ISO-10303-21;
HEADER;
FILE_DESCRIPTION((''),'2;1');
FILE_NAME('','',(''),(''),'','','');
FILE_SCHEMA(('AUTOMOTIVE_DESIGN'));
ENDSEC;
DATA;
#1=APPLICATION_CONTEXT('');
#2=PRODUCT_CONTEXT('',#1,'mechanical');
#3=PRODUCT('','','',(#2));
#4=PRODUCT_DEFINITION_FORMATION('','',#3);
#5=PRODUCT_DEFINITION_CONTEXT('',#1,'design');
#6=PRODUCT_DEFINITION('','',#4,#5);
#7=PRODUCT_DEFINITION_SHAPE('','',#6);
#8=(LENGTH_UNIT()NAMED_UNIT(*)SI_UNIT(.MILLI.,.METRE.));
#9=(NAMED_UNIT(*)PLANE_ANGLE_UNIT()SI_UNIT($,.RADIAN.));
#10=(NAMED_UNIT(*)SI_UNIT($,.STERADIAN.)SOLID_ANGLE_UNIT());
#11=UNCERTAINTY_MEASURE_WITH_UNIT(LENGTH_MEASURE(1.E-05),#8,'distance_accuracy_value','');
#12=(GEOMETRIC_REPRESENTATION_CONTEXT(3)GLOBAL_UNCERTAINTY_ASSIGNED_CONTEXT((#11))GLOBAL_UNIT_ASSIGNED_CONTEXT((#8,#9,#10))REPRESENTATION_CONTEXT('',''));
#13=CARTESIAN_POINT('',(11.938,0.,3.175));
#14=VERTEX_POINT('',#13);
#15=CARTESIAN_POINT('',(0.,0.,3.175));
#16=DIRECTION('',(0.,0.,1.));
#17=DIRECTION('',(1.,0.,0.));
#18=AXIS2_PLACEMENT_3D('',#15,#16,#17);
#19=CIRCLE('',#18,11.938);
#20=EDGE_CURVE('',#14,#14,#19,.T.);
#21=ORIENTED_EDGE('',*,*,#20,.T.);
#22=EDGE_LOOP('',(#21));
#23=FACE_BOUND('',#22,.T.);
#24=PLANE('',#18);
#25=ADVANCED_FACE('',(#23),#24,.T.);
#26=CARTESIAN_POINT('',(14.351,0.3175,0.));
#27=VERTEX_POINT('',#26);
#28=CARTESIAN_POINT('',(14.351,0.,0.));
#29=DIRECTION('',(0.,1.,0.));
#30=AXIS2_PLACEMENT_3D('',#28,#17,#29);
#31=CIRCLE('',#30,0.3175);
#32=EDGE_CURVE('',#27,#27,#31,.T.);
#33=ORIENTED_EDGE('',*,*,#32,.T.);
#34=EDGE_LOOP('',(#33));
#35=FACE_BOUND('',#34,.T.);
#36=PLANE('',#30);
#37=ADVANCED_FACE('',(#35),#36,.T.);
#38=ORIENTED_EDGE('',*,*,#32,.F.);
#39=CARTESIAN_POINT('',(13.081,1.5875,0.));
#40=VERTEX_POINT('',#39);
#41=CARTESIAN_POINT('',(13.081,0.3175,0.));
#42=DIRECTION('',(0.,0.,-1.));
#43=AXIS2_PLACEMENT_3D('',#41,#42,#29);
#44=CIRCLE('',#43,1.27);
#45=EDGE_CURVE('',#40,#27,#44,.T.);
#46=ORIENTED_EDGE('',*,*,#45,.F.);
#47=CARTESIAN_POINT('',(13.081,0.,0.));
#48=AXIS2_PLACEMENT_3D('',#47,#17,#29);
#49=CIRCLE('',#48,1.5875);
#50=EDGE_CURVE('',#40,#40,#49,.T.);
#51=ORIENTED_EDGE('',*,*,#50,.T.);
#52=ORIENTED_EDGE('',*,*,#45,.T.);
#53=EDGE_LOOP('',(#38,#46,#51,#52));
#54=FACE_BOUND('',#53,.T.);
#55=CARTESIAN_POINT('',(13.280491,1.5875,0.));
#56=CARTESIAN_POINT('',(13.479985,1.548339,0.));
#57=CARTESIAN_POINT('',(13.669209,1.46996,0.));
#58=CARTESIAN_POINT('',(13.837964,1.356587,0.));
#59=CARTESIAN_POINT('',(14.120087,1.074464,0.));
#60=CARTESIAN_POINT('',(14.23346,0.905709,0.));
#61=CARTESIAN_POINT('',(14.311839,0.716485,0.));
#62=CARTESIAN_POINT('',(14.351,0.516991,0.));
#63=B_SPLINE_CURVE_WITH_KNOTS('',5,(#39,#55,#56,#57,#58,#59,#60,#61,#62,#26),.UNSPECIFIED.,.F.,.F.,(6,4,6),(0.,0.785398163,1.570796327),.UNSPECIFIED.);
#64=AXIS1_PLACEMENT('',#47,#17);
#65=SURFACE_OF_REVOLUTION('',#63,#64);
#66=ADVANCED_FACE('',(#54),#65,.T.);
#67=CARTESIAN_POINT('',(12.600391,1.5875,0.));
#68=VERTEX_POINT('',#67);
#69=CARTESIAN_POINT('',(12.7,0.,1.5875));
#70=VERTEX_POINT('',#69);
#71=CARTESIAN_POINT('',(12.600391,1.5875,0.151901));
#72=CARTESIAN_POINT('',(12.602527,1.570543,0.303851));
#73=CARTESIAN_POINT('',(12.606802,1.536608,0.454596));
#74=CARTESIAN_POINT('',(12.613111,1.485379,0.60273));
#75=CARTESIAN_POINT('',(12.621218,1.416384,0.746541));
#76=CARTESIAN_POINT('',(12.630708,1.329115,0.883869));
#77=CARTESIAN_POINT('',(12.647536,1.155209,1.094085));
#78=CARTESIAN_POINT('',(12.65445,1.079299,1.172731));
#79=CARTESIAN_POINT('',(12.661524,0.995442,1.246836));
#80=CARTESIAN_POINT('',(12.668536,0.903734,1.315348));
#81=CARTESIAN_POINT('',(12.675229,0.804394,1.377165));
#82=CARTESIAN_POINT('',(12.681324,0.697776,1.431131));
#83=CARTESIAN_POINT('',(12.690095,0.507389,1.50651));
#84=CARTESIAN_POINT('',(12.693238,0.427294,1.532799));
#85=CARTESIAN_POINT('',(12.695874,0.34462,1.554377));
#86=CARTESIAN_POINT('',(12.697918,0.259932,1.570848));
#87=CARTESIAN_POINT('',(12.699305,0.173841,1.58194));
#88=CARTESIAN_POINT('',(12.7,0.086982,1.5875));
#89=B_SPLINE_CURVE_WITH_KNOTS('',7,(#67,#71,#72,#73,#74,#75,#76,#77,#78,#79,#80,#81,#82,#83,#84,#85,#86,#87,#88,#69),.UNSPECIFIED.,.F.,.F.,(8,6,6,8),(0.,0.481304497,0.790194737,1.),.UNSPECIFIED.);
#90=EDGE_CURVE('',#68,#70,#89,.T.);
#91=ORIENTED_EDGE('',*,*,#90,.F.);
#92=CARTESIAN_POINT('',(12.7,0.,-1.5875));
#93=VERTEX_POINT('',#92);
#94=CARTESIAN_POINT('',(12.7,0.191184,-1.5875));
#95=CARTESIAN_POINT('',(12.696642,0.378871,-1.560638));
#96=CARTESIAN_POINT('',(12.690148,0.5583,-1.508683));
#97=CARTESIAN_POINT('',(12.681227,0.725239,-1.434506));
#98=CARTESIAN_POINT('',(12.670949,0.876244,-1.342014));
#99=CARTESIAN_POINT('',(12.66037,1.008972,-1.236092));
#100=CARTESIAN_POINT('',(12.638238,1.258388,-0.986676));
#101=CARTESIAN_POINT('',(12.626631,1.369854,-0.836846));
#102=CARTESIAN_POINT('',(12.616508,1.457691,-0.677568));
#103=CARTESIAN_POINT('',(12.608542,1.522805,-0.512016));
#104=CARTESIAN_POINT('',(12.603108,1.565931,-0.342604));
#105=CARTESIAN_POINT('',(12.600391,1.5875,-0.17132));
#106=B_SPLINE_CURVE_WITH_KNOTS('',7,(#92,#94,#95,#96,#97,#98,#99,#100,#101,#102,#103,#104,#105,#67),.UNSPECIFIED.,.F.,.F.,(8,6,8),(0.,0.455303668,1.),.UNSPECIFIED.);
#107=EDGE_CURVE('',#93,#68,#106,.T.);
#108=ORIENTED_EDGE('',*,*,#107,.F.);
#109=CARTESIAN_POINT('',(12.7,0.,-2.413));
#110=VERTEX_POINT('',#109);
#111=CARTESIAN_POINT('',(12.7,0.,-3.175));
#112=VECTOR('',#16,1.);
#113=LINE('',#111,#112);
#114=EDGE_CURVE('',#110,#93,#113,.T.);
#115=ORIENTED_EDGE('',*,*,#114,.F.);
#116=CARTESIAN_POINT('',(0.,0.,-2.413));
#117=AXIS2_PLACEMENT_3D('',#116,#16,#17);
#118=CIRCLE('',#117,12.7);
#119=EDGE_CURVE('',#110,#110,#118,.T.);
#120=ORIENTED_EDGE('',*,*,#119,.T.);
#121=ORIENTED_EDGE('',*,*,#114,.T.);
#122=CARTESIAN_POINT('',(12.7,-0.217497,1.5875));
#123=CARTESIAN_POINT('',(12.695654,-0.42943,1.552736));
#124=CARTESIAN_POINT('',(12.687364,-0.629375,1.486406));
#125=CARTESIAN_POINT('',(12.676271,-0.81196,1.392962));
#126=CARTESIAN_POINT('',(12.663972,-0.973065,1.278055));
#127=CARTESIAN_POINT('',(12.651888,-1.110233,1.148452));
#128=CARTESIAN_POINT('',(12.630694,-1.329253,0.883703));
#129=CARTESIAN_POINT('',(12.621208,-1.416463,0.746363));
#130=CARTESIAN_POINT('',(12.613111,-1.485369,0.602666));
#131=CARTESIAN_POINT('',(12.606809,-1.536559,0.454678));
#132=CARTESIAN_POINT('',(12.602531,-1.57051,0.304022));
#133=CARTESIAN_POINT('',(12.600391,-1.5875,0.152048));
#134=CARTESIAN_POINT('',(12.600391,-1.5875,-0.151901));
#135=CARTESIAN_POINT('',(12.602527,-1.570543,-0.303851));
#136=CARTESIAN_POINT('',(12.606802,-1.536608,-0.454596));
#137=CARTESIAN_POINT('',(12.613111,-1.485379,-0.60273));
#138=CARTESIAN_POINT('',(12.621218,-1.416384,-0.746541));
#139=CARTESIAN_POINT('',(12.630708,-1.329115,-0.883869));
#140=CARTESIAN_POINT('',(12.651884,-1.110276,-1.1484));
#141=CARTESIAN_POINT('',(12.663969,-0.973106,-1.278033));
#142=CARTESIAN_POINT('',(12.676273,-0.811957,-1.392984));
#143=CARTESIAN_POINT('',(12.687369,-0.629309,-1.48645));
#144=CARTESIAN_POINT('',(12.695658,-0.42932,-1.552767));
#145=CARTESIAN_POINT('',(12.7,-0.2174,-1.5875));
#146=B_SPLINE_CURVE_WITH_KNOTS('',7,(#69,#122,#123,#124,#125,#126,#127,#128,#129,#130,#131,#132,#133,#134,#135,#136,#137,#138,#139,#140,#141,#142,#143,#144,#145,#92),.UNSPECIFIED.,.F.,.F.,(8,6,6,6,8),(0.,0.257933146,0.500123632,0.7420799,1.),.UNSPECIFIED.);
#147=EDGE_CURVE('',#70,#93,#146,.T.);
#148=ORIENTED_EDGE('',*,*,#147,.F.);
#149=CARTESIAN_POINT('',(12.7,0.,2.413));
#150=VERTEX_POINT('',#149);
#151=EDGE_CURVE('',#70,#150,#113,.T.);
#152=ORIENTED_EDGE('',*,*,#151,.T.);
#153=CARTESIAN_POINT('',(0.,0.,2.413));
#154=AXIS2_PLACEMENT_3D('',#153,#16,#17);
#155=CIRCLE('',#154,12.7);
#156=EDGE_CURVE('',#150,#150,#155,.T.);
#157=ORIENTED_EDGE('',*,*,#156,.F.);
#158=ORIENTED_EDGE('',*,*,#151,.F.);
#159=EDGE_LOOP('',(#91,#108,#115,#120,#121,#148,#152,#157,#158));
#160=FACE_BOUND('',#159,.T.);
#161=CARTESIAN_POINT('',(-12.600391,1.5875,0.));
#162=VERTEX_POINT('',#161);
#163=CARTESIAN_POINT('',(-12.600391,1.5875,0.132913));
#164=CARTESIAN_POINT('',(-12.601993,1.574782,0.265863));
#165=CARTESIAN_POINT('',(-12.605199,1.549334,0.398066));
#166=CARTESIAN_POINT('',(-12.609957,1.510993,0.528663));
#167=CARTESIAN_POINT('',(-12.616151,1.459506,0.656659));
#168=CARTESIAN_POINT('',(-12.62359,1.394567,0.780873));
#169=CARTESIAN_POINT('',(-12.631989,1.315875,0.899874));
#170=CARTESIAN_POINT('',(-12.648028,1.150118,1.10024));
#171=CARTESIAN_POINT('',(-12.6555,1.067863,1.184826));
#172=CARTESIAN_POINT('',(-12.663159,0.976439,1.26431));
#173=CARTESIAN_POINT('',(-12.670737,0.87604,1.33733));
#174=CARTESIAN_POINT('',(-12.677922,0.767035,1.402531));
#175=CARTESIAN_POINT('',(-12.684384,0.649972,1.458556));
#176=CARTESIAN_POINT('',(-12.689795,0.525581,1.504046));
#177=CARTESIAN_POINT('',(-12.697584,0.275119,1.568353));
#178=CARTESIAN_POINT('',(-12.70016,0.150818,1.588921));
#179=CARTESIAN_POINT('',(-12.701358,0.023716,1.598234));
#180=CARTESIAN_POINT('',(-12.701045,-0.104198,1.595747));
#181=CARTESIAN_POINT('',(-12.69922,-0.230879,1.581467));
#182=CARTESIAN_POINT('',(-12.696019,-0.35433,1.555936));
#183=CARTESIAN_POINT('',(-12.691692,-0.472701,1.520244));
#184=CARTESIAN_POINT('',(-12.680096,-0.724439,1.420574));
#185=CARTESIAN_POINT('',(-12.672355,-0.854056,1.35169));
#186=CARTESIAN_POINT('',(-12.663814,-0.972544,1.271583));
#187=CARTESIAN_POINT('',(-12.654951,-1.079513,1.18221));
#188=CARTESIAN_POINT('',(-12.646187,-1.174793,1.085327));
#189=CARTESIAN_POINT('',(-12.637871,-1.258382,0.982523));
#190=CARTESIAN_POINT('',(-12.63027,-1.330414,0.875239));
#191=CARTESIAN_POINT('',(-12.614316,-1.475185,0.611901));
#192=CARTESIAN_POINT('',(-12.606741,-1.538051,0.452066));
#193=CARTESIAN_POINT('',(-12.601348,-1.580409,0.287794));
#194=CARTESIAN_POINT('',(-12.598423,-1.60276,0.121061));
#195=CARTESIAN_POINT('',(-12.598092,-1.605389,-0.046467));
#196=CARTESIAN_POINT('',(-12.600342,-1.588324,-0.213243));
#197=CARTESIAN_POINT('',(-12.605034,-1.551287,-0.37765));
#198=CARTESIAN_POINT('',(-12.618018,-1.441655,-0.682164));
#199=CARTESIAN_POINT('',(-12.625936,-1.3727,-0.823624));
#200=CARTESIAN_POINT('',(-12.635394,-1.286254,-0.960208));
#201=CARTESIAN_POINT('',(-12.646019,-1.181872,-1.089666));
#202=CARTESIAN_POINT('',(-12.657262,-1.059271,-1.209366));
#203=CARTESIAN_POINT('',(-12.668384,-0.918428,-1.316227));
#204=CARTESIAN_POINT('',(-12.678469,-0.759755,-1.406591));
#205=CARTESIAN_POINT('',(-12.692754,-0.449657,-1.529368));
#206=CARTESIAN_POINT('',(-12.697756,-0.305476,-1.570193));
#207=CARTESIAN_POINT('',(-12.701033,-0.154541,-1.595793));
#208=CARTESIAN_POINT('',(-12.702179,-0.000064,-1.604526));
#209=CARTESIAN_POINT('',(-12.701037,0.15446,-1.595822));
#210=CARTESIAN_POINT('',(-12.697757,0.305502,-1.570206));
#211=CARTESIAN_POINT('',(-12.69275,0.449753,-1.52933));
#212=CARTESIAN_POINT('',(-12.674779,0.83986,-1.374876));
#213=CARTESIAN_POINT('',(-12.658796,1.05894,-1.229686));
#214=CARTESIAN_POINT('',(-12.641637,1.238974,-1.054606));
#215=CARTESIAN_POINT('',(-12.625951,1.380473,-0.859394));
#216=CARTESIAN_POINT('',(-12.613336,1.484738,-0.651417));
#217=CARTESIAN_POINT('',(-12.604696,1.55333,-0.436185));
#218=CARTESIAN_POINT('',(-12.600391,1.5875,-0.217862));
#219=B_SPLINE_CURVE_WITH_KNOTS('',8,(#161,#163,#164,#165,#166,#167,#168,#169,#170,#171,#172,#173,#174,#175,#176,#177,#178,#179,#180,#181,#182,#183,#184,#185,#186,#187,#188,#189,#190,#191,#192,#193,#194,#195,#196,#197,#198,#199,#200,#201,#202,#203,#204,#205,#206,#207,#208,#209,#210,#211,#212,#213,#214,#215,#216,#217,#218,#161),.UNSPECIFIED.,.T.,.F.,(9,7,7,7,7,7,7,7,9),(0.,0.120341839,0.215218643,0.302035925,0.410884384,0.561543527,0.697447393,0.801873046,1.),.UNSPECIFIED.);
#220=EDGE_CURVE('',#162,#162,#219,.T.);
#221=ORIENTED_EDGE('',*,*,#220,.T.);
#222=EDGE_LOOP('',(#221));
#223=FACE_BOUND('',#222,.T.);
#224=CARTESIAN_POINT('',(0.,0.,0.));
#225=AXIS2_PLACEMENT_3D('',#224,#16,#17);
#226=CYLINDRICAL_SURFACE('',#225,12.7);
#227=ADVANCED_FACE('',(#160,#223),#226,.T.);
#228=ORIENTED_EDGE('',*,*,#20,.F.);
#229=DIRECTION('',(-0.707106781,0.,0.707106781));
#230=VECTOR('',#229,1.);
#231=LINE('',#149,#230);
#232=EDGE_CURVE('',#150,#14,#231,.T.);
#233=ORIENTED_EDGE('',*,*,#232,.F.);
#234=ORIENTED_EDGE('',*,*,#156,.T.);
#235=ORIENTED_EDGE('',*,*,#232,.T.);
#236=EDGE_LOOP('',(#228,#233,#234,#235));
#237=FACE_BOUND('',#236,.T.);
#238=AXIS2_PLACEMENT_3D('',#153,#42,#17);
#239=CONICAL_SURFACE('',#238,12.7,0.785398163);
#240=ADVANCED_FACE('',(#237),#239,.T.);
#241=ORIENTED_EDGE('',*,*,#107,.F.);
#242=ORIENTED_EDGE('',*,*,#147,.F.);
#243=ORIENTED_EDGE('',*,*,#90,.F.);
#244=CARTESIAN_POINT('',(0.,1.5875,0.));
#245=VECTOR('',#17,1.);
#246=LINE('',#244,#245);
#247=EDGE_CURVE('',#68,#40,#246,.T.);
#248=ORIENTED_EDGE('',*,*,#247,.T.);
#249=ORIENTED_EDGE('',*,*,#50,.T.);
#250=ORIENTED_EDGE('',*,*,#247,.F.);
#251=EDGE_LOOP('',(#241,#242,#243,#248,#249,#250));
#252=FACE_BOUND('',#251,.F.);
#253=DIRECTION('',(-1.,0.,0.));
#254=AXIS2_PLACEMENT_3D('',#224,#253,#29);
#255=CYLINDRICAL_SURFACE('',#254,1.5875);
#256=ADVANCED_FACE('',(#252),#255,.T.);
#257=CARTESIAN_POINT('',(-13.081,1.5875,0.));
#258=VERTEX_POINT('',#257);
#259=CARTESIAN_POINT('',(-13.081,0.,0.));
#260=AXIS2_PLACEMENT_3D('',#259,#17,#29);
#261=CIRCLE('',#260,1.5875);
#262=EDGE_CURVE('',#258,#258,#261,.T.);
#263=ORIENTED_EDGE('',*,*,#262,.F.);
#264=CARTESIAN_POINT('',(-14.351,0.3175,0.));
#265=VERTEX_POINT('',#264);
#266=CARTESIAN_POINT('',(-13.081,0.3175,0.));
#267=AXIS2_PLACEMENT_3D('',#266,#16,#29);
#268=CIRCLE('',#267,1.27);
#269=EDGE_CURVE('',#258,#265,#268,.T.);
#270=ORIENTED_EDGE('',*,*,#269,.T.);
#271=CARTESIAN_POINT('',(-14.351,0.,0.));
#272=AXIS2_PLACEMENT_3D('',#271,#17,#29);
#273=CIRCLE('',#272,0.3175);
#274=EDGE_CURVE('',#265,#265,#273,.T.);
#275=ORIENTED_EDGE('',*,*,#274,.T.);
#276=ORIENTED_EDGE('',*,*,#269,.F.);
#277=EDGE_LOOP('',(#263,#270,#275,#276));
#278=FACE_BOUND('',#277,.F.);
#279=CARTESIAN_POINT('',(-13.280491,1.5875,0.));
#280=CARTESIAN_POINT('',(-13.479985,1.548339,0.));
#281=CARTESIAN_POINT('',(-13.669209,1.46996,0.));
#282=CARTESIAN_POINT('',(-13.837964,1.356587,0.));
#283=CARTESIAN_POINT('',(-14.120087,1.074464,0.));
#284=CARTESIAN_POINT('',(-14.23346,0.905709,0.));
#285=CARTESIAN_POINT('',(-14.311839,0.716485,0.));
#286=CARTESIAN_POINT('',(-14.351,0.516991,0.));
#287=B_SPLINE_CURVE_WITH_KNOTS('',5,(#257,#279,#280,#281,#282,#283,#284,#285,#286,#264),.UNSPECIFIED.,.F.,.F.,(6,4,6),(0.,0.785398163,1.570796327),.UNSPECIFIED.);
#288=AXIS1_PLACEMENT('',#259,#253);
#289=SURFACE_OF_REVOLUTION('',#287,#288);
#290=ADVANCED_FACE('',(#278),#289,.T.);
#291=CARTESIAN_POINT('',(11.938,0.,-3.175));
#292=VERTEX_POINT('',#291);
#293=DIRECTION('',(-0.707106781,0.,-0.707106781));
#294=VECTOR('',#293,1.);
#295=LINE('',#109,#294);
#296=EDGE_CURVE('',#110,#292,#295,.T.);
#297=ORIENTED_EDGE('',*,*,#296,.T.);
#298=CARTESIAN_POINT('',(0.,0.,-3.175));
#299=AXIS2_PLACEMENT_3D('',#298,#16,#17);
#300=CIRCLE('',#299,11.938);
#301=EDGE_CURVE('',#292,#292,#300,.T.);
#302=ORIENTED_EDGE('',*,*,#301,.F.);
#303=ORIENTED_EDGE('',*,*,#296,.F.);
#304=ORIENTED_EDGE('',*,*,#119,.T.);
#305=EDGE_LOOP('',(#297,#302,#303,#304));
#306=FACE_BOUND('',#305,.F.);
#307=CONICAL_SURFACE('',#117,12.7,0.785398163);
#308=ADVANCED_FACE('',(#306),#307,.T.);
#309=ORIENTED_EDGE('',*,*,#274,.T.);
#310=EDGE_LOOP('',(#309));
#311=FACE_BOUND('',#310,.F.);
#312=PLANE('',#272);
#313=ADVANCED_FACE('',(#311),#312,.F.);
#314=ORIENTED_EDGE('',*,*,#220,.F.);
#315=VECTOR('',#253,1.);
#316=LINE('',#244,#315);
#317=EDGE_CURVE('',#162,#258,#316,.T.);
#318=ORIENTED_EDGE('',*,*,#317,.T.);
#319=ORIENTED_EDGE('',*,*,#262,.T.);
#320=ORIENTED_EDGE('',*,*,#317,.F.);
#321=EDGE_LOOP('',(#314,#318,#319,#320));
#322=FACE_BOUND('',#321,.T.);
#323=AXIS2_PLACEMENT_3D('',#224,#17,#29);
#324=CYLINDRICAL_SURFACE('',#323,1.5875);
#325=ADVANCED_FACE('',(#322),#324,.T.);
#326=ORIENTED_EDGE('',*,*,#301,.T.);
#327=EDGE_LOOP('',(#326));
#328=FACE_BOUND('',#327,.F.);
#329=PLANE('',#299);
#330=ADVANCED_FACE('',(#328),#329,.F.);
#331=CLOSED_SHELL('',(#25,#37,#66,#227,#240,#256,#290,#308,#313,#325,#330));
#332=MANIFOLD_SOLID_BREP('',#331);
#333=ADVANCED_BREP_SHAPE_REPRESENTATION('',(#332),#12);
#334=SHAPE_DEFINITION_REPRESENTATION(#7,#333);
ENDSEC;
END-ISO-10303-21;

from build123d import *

# Parameters (mm, degrees)
F0_R          = 12.7
F1_DEPTH      = 3.175
F2_R          = 1.5875
F3_DEPTH      = 14.351
F3_DEPTH_BACK = 14.351
F4_R          = 1.27
F5_SIZE       = 0.762


with BuildPart() as f1:
    # F0 (on Top) → F1 (new body, symmetric)
    with BuildSketch(Plane.XY):
        Circle(F0_R)
    extrude(amount=F1_DEPTH, both=True)

    # F2 (on Right) → F3 (join, two sides)
    with BuildSketch(Plane.YZ) as f3_sk:
        Circle(F2_R)
    extrude(amount=-F3_DEPTH)
    extrude(f3_sk.sketch, amount=F3_DEPTH_BACK)

    # F4
    f4_edges = [f1.edges().sort_by_distance(p)[0] for p in [
        (-14.351, -1.5875, 0),
        (14.351, -1.5875, 0),
    ]]
    fillet(f4_edges, radius=F4_R)

    # F5
    f5_edges = [f1.edges().sort_by_distance(p)[0] for p in [
        (-12.7, 0, 3.175),
        (-12.7, 0, -3.175),
    ]]
    chamfer(f5_edges, length=F5_SIZE)


solid = f1.part
